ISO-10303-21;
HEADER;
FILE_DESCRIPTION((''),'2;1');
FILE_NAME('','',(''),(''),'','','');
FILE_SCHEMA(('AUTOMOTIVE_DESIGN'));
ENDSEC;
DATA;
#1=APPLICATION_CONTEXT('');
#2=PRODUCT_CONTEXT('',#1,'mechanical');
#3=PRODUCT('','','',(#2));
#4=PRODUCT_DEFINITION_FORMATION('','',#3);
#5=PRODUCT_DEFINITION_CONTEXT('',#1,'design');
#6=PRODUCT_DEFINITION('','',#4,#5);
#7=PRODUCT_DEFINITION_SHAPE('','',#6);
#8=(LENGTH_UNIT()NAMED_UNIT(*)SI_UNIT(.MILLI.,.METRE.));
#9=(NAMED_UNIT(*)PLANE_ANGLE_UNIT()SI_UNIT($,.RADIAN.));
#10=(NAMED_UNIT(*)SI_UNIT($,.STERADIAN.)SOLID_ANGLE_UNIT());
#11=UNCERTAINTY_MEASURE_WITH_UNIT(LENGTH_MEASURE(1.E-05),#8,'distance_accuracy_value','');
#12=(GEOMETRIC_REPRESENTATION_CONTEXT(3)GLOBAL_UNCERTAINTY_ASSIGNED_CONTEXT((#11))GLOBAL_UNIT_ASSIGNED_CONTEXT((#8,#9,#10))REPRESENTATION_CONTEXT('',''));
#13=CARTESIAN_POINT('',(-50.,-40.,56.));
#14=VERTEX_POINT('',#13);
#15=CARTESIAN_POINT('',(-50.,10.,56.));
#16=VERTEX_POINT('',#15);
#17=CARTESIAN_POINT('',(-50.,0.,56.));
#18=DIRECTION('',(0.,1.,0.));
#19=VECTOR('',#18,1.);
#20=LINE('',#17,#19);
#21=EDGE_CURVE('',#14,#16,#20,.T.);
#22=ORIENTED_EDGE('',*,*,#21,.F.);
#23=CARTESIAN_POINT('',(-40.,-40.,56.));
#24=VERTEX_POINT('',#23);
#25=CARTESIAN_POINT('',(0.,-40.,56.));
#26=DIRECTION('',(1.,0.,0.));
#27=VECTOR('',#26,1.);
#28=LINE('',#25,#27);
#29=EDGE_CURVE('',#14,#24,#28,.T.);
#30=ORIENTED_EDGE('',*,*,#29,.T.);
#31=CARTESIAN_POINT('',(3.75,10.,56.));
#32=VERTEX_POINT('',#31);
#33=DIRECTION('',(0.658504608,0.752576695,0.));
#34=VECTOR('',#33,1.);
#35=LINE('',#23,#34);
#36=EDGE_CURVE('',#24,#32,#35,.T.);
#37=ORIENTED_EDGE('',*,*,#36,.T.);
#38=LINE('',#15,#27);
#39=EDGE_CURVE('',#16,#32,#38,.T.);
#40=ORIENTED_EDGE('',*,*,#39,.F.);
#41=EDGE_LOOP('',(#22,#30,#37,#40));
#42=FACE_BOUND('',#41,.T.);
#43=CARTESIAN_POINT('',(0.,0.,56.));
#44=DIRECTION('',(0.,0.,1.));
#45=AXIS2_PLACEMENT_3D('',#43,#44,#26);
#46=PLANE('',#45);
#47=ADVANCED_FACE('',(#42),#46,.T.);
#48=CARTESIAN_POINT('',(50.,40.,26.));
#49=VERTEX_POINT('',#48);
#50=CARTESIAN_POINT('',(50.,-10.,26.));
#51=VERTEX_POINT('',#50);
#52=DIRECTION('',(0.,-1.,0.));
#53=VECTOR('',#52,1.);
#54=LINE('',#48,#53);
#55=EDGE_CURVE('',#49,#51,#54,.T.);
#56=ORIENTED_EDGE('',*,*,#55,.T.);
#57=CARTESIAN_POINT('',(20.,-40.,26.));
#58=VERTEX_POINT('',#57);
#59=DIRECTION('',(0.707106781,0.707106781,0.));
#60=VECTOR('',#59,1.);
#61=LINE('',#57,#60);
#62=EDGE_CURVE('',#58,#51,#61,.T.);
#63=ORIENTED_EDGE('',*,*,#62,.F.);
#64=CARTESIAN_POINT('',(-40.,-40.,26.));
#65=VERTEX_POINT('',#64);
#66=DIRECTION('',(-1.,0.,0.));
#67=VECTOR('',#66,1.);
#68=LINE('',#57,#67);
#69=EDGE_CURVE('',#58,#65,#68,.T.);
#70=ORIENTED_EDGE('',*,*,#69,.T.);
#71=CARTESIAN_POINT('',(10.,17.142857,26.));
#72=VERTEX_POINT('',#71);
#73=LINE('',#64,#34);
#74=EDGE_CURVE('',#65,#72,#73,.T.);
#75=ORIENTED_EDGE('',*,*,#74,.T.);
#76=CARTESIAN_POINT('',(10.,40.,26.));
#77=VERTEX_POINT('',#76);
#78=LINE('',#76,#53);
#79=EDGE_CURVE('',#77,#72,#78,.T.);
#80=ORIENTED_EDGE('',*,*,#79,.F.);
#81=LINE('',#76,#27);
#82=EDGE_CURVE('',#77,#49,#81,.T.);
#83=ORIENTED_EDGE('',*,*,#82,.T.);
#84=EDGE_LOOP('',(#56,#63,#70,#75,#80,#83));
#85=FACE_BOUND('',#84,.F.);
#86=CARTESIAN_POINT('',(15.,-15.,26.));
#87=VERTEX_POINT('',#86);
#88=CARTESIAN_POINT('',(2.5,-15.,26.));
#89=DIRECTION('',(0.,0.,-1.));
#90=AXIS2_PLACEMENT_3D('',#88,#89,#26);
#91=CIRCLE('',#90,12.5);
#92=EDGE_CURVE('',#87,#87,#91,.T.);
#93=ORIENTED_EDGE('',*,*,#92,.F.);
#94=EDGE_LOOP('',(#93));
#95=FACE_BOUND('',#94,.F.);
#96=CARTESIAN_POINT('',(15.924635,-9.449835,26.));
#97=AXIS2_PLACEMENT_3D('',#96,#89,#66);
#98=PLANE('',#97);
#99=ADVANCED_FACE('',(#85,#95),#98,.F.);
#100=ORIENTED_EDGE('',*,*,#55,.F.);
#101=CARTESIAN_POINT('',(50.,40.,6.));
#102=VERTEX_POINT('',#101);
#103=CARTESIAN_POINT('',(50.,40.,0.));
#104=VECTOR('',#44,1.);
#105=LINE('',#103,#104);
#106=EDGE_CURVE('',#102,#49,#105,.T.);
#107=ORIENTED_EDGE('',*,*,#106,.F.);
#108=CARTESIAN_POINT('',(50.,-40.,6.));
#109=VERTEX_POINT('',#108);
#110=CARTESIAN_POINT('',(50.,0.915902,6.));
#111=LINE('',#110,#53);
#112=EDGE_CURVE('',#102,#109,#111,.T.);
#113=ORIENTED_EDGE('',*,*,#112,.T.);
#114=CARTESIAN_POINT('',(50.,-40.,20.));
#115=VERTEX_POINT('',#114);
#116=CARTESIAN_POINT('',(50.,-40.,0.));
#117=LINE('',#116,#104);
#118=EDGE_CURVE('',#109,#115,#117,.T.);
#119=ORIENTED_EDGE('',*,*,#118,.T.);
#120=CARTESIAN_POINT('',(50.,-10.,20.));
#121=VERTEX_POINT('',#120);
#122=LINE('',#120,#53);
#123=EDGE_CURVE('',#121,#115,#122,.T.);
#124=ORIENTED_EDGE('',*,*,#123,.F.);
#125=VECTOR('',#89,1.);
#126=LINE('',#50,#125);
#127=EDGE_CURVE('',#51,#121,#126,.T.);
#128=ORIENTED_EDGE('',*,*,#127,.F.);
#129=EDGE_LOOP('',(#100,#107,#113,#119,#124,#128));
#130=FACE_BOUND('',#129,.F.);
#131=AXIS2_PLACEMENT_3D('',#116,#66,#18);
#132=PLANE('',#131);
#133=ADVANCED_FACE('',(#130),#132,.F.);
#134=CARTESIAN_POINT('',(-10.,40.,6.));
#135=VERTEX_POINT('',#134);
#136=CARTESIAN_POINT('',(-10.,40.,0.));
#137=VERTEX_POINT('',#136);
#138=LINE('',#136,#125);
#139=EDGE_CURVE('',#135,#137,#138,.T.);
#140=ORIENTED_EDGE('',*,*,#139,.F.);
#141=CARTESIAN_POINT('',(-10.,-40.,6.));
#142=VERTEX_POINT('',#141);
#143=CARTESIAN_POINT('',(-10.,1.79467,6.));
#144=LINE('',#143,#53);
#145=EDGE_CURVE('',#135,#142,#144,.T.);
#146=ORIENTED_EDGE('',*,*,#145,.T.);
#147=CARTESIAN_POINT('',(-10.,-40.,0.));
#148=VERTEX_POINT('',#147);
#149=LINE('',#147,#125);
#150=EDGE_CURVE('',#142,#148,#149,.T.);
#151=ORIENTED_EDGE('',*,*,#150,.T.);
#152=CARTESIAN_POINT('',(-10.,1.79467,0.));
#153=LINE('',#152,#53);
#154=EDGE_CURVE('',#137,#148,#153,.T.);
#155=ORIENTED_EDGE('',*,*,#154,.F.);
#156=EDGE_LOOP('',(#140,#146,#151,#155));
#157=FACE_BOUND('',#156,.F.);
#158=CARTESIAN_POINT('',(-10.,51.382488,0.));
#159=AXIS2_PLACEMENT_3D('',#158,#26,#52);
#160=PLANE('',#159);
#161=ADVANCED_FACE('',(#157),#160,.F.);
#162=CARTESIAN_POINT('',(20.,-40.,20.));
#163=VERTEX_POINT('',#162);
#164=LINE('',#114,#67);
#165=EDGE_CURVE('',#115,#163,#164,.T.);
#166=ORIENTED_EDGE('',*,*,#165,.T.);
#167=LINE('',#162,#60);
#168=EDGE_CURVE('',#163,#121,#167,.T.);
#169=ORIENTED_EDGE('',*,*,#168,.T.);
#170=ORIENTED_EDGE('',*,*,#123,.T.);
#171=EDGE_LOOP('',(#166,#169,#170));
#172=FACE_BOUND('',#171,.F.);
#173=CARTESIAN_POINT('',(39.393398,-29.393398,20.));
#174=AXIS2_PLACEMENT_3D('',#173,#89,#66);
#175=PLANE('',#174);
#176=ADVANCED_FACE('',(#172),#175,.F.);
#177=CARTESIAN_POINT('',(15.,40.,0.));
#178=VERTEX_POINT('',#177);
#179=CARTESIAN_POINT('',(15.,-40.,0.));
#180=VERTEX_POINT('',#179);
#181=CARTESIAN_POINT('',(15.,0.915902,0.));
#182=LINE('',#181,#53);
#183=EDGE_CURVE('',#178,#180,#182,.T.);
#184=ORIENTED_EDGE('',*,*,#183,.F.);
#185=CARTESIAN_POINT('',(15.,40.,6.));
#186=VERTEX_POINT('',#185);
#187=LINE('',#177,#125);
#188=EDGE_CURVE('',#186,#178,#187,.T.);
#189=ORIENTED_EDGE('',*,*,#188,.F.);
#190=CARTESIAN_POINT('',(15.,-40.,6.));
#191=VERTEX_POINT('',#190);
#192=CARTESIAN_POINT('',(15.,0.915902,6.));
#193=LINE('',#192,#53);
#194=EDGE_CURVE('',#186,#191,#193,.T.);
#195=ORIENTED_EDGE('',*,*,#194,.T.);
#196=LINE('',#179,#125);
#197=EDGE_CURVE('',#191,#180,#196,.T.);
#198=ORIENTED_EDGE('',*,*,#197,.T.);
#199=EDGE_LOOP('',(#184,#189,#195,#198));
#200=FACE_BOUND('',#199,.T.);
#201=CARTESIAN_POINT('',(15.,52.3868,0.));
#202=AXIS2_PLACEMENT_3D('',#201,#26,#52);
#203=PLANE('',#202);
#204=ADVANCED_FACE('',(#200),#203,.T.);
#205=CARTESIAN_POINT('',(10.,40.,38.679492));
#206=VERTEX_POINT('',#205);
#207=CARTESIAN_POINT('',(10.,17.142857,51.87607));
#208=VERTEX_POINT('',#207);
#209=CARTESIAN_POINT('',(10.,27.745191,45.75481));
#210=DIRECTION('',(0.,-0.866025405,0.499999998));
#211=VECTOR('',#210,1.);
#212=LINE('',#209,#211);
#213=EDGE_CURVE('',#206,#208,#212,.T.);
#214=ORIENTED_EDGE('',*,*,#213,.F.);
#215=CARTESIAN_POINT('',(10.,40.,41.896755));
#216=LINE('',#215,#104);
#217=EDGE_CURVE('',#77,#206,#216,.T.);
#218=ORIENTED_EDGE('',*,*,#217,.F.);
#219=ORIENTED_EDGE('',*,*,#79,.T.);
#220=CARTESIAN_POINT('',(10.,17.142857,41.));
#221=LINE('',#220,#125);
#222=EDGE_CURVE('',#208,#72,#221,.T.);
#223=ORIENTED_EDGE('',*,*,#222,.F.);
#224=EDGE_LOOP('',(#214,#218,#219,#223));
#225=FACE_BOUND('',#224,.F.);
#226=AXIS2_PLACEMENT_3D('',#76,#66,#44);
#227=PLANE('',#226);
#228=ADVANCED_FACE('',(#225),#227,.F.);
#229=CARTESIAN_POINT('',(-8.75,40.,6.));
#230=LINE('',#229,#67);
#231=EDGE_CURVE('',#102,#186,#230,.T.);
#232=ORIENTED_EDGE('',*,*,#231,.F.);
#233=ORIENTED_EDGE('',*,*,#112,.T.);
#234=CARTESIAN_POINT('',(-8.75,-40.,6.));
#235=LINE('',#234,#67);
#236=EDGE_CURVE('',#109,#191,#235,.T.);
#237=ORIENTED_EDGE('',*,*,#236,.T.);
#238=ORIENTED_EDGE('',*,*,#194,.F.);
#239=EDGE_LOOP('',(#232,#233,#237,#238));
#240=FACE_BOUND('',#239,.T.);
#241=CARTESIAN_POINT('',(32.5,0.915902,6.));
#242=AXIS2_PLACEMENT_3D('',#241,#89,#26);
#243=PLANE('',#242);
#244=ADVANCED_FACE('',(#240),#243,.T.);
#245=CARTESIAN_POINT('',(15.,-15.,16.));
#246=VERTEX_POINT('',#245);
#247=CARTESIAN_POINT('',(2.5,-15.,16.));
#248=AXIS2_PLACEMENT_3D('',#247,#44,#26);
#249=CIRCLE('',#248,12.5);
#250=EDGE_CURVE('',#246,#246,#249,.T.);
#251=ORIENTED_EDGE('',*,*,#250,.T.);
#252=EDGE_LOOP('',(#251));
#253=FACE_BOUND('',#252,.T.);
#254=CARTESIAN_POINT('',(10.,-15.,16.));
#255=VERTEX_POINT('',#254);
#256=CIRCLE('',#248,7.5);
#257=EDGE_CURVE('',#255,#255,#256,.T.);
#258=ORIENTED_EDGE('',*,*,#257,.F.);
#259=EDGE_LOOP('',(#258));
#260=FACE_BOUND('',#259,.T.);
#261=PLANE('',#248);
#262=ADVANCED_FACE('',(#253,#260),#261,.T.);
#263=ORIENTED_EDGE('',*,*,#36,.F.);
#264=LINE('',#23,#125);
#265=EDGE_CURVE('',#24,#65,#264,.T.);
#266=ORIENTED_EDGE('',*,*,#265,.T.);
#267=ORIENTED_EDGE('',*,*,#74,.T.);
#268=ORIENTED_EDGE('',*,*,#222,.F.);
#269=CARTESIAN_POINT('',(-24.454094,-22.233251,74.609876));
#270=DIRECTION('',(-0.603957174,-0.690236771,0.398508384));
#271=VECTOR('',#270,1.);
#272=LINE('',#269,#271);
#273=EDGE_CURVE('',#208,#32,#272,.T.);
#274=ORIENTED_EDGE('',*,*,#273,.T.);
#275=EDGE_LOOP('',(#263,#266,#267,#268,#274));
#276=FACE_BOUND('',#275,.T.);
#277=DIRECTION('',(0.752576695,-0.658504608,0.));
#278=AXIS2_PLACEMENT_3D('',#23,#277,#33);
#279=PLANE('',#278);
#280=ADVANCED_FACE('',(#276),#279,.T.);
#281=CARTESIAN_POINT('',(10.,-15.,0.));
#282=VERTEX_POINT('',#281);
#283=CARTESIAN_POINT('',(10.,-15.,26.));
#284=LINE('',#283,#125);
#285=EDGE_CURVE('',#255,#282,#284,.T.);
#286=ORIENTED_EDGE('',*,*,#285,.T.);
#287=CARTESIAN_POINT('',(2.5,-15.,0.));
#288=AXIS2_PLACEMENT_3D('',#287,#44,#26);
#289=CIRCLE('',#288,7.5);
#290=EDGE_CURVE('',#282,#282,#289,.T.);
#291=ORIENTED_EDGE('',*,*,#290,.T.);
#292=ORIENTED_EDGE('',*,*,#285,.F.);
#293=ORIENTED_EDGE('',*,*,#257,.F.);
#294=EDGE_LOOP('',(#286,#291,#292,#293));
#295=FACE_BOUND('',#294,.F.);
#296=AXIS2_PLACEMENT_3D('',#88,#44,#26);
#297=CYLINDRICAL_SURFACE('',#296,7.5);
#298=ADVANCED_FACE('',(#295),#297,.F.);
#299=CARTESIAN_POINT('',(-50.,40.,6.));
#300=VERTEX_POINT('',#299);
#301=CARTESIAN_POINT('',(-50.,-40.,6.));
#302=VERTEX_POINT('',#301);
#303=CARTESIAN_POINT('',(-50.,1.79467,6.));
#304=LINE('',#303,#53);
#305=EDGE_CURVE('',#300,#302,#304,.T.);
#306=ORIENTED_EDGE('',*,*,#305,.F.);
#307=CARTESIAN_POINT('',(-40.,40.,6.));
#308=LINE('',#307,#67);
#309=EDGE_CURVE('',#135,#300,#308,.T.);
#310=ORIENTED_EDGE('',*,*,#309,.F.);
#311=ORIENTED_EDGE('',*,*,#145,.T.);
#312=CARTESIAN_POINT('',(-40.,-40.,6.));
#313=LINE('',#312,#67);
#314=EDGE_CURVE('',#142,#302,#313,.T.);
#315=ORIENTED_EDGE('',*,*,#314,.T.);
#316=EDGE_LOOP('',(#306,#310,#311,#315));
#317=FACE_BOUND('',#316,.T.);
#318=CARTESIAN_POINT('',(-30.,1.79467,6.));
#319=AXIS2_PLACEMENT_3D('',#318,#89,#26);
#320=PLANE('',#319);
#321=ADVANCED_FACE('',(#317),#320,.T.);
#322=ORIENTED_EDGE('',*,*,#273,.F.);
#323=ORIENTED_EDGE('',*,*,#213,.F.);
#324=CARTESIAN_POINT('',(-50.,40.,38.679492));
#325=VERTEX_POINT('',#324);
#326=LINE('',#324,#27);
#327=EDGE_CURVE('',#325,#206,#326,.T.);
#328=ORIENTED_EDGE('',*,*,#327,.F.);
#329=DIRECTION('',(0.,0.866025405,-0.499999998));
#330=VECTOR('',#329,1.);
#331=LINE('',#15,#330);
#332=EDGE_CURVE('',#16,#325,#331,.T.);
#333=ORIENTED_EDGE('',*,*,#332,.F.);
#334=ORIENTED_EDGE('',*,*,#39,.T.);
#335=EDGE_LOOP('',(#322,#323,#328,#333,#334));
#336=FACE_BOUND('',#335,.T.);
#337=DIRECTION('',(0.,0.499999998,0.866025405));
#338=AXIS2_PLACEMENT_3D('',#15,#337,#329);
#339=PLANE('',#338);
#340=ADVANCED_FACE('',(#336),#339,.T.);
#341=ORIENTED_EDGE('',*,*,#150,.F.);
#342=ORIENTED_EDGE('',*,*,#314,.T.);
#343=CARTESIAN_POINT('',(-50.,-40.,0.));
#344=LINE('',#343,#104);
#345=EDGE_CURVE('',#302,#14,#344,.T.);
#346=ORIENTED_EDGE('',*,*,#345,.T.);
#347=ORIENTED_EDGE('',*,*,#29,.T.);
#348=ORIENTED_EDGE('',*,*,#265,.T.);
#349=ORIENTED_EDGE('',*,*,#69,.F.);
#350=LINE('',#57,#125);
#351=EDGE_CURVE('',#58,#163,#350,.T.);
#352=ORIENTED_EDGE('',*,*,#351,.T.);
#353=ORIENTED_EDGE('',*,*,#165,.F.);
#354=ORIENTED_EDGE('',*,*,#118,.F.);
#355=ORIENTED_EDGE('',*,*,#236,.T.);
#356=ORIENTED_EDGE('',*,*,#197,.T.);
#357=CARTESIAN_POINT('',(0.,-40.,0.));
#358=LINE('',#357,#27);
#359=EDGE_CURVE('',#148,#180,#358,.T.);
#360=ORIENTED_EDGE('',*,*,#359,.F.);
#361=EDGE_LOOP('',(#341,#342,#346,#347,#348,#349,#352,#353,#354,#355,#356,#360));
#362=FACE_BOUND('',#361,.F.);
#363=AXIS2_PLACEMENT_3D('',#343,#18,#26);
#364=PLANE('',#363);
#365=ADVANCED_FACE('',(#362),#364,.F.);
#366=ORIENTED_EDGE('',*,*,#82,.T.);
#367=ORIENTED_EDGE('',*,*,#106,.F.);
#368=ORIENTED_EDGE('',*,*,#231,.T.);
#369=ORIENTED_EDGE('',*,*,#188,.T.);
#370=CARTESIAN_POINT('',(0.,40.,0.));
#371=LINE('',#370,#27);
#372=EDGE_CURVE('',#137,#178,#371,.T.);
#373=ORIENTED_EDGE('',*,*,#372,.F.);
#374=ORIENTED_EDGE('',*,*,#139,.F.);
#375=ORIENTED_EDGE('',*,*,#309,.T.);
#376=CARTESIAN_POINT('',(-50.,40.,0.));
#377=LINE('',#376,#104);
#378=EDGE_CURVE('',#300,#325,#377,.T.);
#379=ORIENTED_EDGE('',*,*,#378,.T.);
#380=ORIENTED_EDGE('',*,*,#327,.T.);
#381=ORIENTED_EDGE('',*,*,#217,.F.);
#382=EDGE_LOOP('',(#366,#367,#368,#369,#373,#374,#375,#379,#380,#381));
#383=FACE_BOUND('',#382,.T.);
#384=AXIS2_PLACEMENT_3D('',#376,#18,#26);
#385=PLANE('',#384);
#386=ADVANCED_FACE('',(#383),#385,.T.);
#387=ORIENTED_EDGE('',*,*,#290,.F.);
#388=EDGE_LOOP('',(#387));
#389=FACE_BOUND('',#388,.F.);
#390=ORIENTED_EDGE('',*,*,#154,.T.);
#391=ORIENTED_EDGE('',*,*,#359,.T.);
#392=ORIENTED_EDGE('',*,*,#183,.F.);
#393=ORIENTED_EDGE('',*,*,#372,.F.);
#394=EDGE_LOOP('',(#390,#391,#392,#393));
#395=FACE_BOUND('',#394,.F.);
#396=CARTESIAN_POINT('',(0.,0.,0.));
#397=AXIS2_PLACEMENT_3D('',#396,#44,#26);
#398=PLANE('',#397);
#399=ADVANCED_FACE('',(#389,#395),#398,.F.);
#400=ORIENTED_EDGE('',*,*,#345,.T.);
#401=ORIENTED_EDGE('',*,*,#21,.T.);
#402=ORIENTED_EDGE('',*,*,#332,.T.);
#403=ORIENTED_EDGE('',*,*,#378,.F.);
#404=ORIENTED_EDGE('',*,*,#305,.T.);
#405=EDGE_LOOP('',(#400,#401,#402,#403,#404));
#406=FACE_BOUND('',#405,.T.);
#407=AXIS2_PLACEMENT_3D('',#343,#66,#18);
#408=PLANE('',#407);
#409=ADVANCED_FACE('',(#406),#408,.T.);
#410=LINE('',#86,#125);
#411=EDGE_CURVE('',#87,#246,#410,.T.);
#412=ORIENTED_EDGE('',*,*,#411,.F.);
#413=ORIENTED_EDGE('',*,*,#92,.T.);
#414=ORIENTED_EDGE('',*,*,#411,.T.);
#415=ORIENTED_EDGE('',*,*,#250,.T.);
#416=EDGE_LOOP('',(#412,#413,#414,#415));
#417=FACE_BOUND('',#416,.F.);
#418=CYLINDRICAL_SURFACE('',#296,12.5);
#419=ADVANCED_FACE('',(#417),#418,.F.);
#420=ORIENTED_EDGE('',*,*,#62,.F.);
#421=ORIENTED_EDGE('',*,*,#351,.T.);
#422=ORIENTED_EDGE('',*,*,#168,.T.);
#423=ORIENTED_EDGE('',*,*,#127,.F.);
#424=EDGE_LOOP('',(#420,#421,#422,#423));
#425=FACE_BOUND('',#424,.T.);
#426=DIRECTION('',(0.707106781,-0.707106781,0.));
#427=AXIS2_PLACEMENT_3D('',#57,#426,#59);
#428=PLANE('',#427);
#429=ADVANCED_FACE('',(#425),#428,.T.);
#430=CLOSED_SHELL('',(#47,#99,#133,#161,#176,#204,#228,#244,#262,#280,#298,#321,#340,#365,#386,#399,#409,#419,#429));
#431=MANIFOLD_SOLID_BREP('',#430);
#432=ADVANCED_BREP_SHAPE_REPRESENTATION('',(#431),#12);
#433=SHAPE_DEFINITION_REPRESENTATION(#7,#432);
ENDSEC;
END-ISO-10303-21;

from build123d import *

# Parameters (mm, degrees)
SKETCH_W        = 100
SKETCH_H        = 80
PAD_DEPTH       = 56
SKETCH001_W     = 40
SKETCH001_H     = 99.175636
SKETCH001_W_2   = 35
SKETCH001_H_2   = 102.941795
POCKET_DEPTH    = 6
POCKET001_DEPTH = 30
SKETCH003_R     = 7.5
POCKET002_DEPTH = 26.001
SKETCH004_R     = 12.5
POCKET003_DEPTH = 10
POCKET004_DEPTH = 6
POCKET005_DEPTH = 100.001
SKETCH007_W     = 20
SKETCH007_H     = 31.79351
POCKET006_DEPTH = 80.001


with BuildPart() as part:
    # Sketch → Pad (new body)
    with BuildSketch(Plane.XY):
        Rectangle(SKETCH_W, SKETCH_H)
    extrude(amount=PAD_DEPTH)

    # Sketch001 → Pocket (cut)
    with BuildSketch(Plane(origin=(0, 0, 0), x_dir=(1, 0, 0), z_dir=(0, 0, -1))):
        with Locations((-30, -1.79467)):
            Rectangle(SKETCH001_W, SKETCH001_H)
        with Locations((32.5, -0.915902)):
            Rectangle(SKETCH001_W_2, SKETCH001_H_2)
    extrude(amount=-POCKET_DEPTH, mode=Mode.SUBTRACT)

    # Sketch002 → Pocket001 (cut)
    with BuildSketch(Plane.XY.offset(56)):
        Polygon((-40, -40), (30, 40), (50, 40), (50, -40), align=None)
    extrude(amount=-POCKET001_DEPTH, mode=Mode.SUBTRACT)

    # Sketch003 → Pocket002 (cut, through all)
    with BuildSketch(Plane.XY.offset(26)):
        with Locations((2.5, -15)):
            Circle(SKETCH003_R)
    extrude(amount=-POCKET002_DEPTH, mode=Mode.SUBTRACT)

    # Sketch004 → Pocket003 (cut)
    with BuildSketch(Plane.XY.offset(26)):
        with Locations((2.5, -15)):
            Circle(SKETCH004_R)
    extrude(amount=-POCKET003_DEPTH, mode=Mode.SUBTRACT)

    # Sketch005 → Pocket004 (cut)
    with BuildSketch(Plane.XY.offset(26)):
        Polygon((20, -40), (50, -10), (50, -40), align=None)
    extrude(amount=-POCKET004_DEPTH, mode=Mode.SUBTRACT)

    # Sketch006 → Pocket005 (cut, through all)
    with BuildSketch(Plane(origin=(-50, 0, 0), x_dir=(0, -1, 0), z_dir=(-1, 0, 0))):
        Polygon((-40, 38.679492), (-40, 56), (-10, 56), align=None)
    extrude(amount=-POCKET005_DEPTH, mode=Mode.SUBTRACT)

    # Sketch007 → Pocket006 (cut, through all)
    with BuildSketch(Plane(origin=(0, 40, 0), x_dir=(-1, 0, 0), z_dir=(0, 1, 0))):
        with Locations((-20, 41.896755)):
            Rectangle(SKETCH007_W, SKETCH007_H)
    extrude(amount=-POCKET006_DEPTH, mode=Mode.SUBTRACT)


solid = part.part
